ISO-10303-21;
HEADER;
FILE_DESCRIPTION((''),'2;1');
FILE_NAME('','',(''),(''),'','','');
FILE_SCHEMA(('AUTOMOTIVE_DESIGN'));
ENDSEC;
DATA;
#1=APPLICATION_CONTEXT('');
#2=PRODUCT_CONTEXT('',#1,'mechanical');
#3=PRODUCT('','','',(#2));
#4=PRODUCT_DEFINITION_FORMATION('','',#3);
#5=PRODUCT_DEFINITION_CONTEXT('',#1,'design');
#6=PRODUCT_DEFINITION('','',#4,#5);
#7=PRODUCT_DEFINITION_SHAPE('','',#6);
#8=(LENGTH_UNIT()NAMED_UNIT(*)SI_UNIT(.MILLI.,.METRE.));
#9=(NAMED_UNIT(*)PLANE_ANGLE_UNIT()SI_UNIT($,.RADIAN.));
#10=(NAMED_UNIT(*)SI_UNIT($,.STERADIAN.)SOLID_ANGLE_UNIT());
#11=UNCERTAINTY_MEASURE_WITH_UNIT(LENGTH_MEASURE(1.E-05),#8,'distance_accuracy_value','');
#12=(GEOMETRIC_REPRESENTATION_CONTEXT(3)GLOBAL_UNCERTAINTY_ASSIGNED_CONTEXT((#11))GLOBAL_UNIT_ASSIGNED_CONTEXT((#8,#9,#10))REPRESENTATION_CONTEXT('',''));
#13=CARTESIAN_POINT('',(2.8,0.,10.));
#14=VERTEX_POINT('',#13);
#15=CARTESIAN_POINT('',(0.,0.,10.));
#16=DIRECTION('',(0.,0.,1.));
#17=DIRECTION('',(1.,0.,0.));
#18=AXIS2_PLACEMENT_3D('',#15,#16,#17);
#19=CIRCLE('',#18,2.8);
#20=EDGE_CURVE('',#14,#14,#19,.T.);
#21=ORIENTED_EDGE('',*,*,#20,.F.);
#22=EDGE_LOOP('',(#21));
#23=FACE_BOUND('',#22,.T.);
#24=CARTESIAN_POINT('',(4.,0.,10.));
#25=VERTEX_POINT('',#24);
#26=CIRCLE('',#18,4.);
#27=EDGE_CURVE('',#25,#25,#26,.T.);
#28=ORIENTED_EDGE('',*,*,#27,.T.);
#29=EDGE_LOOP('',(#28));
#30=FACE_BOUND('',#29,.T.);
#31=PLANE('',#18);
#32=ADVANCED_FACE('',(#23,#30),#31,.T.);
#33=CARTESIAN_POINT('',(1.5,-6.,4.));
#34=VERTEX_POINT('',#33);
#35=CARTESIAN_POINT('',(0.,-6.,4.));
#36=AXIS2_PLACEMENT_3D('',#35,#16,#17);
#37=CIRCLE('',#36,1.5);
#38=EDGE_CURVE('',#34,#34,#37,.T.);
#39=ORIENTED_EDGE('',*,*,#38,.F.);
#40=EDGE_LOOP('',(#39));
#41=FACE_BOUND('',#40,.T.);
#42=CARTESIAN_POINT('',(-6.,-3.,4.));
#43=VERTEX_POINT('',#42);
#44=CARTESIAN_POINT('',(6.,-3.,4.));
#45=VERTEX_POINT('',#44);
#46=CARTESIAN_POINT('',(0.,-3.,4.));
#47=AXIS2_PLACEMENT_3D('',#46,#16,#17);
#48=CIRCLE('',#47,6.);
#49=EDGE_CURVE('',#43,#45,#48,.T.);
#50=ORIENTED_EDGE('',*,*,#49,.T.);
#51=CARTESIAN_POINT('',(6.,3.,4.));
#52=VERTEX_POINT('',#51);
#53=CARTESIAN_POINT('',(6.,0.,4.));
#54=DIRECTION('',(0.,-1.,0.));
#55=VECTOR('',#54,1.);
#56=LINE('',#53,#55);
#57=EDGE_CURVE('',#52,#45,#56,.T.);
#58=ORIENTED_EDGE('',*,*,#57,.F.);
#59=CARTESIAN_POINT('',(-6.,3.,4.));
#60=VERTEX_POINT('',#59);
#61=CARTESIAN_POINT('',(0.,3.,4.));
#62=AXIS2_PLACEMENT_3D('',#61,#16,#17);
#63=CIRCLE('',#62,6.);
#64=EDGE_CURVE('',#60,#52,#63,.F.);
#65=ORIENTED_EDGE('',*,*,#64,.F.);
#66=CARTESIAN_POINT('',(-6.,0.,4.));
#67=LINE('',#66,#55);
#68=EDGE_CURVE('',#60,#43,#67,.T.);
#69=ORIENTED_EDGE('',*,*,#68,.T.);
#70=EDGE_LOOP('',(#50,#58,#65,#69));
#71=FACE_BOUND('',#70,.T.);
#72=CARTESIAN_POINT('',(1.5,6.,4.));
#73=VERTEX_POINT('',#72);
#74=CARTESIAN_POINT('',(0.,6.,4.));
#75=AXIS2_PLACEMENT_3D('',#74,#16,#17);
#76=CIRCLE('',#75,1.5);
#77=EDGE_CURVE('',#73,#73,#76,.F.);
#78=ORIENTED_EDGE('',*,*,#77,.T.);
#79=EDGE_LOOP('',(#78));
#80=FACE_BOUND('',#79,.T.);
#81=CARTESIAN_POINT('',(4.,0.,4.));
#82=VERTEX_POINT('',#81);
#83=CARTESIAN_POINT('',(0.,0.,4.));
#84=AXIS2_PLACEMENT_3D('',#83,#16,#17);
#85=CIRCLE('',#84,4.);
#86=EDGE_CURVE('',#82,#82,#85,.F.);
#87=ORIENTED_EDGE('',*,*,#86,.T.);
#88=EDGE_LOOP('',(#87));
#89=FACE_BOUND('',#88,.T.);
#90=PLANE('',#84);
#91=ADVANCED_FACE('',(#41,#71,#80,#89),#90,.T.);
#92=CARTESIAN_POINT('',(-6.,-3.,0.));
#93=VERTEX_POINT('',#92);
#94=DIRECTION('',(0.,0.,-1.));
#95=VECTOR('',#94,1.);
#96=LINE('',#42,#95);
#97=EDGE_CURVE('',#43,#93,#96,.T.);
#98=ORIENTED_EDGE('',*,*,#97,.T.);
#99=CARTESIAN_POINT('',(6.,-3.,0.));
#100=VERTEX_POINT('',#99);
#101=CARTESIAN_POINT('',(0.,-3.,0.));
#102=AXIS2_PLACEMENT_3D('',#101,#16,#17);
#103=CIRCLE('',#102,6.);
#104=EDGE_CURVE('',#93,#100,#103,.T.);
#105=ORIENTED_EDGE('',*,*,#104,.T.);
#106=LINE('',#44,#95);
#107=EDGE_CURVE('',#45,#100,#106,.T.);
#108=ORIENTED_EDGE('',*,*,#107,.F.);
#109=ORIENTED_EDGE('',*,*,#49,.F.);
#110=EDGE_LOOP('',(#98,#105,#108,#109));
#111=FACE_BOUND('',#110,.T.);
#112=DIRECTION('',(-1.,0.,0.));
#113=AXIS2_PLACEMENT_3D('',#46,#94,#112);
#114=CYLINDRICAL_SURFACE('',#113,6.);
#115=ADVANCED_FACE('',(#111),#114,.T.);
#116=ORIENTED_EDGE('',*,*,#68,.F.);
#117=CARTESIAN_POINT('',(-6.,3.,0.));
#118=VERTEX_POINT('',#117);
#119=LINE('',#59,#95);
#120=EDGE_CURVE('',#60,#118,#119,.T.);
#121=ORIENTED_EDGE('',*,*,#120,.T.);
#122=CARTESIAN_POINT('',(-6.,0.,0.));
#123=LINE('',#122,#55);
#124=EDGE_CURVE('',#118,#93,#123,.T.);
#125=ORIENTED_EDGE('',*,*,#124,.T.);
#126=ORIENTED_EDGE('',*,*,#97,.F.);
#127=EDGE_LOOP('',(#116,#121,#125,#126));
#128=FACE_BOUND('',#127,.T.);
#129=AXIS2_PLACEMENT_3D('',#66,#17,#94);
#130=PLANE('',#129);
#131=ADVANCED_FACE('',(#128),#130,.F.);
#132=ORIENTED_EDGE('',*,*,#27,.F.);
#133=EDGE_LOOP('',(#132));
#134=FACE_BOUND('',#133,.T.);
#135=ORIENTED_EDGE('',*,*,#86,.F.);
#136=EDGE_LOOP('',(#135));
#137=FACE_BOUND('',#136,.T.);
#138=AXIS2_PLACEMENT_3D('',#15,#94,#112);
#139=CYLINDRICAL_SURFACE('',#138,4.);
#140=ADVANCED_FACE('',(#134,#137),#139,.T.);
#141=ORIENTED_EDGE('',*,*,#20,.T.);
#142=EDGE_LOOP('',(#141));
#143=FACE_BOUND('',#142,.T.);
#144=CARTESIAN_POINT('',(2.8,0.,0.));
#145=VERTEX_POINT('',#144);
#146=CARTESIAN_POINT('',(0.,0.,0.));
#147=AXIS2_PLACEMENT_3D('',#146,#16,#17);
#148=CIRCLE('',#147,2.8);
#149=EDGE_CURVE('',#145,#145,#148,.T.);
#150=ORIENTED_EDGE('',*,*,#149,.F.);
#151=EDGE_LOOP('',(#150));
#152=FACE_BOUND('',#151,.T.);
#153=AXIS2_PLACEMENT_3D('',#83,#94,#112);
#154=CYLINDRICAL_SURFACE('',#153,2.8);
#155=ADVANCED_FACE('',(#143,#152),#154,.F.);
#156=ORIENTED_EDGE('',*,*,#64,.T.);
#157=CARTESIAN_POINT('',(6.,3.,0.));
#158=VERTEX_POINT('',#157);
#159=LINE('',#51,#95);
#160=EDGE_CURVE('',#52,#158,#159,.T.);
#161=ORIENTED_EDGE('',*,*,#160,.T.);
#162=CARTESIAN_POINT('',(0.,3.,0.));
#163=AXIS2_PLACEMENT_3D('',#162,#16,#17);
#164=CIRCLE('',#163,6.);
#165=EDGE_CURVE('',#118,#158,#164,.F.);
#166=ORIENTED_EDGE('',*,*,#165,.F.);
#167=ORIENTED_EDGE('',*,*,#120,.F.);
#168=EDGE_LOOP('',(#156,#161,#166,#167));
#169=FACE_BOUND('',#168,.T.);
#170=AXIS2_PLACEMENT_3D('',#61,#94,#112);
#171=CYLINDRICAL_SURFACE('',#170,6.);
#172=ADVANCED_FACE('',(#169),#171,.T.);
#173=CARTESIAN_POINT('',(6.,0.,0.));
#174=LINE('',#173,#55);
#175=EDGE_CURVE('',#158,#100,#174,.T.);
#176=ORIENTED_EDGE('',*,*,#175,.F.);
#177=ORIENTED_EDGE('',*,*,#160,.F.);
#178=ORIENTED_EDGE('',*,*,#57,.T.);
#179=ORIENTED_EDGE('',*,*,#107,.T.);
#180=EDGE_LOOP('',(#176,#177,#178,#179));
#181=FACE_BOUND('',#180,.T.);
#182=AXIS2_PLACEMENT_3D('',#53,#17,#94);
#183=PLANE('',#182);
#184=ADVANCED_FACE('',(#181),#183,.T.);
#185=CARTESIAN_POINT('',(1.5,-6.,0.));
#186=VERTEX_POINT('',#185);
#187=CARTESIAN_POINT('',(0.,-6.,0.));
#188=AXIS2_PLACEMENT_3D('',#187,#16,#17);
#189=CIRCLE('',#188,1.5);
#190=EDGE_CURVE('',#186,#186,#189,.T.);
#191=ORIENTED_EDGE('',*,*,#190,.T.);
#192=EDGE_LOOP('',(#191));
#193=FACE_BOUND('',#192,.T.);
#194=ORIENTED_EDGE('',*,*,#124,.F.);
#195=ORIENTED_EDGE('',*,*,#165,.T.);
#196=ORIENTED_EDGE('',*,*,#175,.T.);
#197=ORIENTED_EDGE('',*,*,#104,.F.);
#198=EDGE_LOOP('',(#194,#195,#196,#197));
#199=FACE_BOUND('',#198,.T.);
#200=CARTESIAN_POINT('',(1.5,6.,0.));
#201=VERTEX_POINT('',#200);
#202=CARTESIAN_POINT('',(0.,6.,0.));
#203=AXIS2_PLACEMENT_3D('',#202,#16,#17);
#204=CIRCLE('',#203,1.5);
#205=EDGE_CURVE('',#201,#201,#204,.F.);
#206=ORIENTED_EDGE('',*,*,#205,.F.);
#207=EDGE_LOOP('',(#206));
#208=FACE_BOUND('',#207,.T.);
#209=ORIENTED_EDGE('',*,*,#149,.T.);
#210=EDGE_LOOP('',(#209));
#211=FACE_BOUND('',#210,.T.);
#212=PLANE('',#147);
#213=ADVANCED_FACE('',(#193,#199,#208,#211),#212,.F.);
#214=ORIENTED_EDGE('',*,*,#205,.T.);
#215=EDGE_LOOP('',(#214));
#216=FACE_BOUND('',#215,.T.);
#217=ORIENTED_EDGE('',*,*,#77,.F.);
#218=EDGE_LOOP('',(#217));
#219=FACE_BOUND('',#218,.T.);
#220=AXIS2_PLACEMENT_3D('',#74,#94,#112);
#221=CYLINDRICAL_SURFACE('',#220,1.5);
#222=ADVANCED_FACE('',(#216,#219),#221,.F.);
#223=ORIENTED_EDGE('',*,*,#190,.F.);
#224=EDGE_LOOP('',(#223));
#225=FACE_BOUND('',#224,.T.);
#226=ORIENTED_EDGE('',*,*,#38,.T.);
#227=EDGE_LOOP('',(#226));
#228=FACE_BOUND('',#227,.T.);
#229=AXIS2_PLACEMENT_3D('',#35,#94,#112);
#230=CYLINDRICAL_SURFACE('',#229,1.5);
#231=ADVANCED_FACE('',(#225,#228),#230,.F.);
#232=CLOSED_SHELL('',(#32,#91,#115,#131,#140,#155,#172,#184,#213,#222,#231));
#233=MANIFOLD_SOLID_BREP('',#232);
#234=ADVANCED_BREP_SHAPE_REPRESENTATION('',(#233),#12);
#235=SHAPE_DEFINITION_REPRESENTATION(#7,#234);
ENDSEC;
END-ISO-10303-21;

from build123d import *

# Parameters (mm, degrees)
SKETCH3_R           = 1.5
SKETCH3_R_2         = 2.8
BOSS_EXTRUDE1_DEPTH = 4
SKETCH3_3_R         = 4
SKETCH3_3_R_2       = 2.8
BOSS_EXTRUDE2_DEPTH = 10


with BuildPart() as part:
    # Sketch3 → Boss-Extrude1 (new body)
    with BuildSketch(Plane.XY):
        with BuildLine():
            ThreePointArc((-6, -3), (0, -9), (6, -3))
            Line((6, -3), (6, 3))
            ThreePointArc((6, 3), (0, 9), (-6, 3))
            Line((-6, 3), (-6, -3))
        make_face()
        with Locations((0, -6)):
            Circle(SKETCH3_R, mode=Mode.SUBTRACT)
        with Locations((0, 6)):
            Circle(SKETCH3_R, mode=Mode.SUBTRACT)
        Circle(SKETCH3_R_2, mode=Mode.SUBTRACT)
    extrude(amount=BOSS_EXTRUDE1_DEPTH)

    # Sketch3<3> → Boss-Extrude2 (add)
    with BuildSketch(Plane.XY):
        Circle(SKETCH3_3_R)
        Circle(SKETCH3_3_R_2, mode=Mode.SUBTRACT)
    extrude(amount=BOSS_EXTRUDE2_DEPTH)


solid = part.part
